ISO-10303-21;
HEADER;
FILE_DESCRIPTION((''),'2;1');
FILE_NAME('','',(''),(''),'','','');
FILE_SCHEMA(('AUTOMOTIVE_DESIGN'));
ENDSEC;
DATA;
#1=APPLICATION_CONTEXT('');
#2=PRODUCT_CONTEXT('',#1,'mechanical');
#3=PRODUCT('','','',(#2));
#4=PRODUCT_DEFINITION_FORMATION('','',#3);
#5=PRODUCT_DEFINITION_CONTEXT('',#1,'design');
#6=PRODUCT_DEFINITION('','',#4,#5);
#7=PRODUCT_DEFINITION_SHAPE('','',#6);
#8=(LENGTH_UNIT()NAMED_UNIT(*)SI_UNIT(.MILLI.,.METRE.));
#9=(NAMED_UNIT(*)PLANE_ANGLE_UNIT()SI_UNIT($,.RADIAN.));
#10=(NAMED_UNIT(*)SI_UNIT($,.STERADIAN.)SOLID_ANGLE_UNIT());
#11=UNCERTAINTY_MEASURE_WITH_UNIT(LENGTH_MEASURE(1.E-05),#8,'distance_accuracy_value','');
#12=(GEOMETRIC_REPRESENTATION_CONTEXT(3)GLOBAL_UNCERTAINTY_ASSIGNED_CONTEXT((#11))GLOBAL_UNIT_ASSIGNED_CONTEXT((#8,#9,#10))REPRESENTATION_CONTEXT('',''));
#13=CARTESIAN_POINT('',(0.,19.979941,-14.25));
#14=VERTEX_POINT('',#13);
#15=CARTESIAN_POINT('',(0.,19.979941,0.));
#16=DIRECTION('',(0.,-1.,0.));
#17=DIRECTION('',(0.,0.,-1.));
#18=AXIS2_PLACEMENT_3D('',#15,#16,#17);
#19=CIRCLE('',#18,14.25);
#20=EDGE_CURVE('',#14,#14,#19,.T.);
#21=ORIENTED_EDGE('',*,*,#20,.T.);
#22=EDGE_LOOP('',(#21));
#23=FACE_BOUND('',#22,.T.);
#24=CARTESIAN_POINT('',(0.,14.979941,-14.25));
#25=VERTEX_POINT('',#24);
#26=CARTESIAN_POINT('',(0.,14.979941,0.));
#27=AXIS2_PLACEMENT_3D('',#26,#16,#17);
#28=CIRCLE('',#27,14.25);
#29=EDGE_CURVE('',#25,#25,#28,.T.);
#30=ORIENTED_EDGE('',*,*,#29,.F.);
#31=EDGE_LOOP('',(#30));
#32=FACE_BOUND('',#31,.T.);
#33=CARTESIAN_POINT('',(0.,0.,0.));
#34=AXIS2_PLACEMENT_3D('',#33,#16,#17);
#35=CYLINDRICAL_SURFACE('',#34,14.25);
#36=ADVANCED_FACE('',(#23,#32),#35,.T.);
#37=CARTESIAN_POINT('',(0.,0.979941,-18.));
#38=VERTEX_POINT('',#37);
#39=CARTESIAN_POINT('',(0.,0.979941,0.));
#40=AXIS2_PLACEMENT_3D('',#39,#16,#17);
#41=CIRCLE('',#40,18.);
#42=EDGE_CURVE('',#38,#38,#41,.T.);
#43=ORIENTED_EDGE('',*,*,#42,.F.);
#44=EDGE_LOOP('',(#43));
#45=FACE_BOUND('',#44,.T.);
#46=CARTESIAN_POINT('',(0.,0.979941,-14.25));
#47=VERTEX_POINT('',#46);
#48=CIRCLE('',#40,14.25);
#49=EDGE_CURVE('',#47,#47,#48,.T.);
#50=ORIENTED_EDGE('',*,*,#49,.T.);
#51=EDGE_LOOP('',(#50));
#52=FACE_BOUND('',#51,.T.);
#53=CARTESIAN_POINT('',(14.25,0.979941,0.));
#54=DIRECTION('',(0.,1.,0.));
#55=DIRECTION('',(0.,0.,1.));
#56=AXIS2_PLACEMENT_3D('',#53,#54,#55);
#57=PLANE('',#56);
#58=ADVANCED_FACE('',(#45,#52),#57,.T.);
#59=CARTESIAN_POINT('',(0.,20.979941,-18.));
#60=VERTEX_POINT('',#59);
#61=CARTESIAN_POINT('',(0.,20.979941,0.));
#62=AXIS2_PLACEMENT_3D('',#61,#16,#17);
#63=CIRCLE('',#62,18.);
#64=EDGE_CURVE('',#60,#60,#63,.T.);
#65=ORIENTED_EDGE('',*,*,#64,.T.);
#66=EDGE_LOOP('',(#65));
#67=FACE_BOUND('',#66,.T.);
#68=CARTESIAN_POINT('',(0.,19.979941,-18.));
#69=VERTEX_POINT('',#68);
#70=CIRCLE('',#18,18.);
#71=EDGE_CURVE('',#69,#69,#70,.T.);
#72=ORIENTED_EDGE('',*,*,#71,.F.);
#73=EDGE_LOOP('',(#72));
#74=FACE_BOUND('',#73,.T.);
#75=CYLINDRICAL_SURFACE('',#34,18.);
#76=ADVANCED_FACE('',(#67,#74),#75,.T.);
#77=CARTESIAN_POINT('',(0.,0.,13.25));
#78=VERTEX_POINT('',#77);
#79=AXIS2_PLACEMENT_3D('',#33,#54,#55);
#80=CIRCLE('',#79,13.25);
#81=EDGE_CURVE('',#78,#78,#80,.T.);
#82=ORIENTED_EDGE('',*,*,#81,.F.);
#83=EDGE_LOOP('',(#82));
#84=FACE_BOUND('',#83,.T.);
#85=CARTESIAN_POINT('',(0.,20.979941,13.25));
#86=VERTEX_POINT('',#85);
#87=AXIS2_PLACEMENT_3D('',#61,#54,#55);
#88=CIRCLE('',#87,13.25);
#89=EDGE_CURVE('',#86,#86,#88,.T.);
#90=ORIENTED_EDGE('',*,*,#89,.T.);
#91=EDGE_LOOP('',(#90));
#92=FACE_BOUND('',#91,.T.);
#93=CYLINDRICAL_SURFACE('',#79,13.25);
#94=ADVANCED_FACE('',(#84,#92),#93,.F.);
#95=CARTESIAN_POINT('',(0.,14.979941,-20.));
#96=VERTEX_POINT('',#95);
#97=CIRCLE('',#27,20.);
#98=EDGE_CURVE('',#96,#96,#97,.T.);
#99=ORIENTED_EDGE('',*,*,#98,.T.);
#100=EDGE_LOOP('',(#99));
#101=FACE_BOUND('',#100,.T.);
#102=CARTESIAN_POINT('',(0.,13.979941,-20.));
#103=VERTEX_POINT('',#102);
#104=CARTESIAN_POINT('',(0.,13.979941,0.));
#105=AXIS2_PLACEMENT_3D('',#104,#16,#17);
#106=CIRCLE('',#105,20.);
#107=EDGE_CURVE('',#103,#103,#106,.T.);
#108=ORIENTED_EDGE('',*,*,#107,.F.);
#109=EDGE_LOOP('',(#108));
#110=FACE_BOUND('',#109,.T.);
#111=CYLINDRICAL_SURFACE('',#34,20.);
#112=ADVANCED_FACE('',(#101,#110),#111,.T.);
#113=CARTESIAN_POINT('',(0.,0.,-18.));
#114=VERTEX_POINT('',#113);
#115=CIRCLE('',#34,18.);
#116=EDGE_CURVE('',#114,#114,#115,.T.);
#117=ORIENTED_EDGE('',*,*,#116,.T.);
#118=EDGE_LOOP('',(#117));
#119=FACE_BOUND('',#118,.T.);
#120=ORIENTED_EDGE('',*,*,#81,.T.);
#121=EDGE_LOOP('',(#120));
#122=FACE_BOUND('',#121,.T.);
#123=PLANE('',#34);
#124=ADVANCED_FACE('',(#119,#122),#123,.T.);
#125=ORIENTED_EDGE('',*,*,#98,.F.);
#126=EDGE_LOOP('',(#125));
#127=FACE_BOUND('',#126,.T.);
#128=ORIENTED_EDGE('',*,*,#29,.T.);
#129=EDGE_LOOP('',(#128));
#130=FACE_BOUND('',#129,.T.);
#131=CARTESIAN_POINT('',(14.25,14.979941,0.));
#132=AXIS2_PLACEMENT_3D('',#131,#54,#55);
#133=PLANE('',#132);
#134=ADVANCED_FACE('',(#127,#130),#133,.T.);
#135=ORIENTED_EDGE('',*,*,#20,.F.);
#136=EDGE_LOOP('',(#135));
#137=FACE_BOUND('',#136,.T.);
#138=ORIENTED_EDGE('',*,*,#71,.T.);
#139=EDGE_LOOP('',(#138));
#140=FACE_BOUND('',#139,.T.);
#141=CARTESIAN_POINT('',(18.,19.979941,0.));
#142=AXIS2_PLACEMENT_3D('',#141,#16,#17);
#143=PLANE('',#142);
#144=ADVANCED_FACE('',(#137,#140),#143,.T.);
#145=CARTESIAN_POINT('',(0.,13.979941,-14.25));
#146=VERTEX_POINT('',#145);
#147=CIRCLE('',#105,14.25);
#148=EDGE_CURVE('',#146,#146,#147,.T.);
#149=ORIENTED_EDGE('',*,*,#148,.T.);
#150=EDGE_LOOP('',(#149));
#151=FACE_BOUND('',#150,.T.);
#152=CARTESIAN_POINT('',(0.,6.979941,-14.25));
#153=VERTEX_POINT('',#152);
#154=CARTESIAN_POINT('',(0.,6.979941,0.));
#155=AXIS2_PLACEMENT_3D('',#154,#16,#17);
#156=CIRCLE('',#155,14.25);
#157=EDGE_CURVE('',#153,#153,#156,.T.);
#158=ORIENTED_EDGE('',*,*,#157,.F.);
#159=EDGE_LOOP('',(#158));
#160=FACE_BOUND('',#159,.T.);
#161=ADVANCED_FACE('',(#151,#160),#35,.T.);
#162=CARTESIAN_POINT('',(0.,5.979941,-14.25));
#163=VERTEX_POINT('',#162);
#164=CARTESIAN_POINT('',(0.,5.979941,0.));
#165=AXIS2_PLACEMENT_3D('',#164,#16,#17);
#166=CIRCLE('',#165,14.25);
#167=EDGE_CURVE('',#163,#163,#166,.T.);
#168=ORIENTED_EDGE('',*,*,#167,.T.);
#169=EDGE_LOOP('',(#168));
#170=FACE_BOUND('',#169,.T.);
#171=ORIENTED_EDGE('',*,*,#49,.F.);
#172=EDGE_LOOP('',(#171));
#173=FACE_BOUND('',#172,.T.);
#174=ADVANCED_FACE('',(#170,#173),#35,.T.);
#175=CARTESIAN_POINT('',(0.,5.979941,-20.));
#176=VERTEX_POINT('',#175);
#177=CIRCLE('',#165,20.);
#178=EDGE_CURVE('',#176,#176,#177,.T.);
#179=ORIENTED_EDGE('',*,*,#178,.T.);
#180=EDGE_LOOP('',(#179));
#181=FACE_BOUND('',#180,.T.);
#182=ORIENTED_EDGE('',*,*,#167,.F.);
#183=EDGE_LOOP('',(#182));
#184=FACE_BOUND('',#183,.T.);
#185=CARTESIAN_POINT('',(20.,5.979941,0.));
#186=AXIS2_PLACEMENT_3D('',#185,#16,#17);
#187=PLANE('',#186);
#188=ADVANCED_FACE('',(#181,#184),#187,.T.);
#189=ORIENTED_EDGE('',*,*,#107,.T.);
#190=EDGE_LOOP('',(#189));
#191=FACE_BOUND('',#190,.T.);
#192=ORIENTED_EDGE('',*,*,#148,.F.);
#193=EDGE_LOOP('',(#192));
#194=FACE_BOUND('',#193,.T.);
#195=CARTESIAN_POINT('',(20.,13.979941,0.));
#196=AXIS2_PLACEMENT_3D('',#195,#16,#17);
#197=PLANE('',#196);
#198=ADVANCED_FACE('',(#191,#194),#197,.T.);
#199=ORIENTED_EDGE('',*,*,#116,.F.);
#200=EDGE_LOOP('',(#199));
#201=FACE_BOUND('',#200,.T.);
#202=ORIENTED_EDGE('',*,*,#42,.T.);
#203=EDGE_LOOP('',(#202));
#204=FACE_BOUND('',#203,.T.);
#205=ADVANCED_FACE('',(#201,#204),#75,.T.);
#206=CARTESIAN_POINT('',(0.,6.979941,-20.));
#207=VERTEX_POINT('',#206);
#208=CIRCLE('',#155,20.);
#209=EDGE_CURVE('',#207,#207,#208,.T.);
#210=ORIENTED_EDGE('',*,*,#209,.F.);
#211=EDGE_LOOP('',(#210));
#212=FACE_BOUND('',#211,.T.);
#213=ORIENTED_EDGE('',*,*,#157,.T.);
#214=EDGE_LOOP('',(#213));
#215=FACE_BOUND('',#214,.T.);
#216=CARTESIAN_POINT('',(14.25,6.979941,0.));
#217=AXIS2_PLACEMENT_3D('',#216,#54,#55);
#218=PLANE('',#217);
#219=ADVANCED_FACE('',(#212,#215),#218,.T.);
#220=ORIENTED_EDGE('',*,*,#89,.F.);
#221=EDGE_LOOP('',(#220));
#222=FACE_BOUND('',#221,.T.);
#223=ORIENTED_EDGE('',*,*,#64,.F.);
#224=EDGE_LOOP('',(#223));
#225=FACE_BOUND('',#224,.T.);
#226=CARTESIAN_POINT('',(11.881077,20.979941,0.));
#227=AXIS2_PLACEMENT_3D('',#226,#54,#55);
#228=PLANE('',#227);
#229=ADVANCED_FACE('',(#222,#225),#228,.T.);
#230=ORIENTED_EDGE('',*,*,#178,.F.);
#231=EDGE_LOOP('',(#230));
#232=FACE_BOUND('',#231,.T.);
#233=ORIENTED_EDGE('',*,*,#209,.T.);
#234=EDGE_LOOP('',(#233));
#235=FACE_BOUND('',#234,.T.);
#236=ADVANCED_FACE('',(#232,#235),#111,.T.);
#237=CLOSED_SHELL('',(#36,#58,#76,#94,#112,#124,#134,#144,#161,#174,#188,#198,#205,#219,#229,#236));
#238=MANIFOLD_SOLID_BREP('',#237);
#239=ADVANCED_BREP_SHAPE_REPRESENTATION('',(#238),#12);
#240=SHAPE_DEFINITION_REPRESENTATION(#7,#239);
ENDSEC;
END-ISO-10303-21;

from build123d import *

# Parameters (mm, degrees)
SKETCH_2_R          = 13.25
CUT_EXTRUDE_1_DEPTH = 36.215875749


with BuildPart() as part:
    # 草图1 → 旋转1 (revolve)
    with BuildSketch(Plane.XY, mode=Mode.PRIVATE) as revolve_1_sk:
        Polygon((11.881076893, 20.979940533), (18, 20.979940533), (18, 19.979940533), (14.25, 19.979940533), (14.25, 14.979940533), (20, 14.979940533), (20, 13.979940533), (14.25, 13.979940533), (14.25, 6.979940533), (20, 6.979940533), (20, 5.979940533), (14.25, 5.979940533), (14.25, 0.979940533), (18, 0.979940533), (18, 0), (4.648229123, 0), (0, 0), (0, 20.979940533), align=None)
    revolve(revolve_1_sk.sketch.rotate(Axis((0, 0, 0), (0, 1, 0)), 90), axis=Axis((0, 0, 0), (0, 1, 0)))

    # 草图2 → 切除-拉伸1 (cut, through all)
    with BuildSketch(Plane(origin=(0, 20.979940533, 0), x_dir=(1, 0, 0), z_dir=(0, 1, 0))):
        with Locations(Location((0, 0, 0), (0, 0, 270))):
            Circle(SKETCH_2_R)
    extrude(amount=-CUT_EXTRUDE_1_DEPTH, mode=Mode.SUBTRACT)


solid = part.part
